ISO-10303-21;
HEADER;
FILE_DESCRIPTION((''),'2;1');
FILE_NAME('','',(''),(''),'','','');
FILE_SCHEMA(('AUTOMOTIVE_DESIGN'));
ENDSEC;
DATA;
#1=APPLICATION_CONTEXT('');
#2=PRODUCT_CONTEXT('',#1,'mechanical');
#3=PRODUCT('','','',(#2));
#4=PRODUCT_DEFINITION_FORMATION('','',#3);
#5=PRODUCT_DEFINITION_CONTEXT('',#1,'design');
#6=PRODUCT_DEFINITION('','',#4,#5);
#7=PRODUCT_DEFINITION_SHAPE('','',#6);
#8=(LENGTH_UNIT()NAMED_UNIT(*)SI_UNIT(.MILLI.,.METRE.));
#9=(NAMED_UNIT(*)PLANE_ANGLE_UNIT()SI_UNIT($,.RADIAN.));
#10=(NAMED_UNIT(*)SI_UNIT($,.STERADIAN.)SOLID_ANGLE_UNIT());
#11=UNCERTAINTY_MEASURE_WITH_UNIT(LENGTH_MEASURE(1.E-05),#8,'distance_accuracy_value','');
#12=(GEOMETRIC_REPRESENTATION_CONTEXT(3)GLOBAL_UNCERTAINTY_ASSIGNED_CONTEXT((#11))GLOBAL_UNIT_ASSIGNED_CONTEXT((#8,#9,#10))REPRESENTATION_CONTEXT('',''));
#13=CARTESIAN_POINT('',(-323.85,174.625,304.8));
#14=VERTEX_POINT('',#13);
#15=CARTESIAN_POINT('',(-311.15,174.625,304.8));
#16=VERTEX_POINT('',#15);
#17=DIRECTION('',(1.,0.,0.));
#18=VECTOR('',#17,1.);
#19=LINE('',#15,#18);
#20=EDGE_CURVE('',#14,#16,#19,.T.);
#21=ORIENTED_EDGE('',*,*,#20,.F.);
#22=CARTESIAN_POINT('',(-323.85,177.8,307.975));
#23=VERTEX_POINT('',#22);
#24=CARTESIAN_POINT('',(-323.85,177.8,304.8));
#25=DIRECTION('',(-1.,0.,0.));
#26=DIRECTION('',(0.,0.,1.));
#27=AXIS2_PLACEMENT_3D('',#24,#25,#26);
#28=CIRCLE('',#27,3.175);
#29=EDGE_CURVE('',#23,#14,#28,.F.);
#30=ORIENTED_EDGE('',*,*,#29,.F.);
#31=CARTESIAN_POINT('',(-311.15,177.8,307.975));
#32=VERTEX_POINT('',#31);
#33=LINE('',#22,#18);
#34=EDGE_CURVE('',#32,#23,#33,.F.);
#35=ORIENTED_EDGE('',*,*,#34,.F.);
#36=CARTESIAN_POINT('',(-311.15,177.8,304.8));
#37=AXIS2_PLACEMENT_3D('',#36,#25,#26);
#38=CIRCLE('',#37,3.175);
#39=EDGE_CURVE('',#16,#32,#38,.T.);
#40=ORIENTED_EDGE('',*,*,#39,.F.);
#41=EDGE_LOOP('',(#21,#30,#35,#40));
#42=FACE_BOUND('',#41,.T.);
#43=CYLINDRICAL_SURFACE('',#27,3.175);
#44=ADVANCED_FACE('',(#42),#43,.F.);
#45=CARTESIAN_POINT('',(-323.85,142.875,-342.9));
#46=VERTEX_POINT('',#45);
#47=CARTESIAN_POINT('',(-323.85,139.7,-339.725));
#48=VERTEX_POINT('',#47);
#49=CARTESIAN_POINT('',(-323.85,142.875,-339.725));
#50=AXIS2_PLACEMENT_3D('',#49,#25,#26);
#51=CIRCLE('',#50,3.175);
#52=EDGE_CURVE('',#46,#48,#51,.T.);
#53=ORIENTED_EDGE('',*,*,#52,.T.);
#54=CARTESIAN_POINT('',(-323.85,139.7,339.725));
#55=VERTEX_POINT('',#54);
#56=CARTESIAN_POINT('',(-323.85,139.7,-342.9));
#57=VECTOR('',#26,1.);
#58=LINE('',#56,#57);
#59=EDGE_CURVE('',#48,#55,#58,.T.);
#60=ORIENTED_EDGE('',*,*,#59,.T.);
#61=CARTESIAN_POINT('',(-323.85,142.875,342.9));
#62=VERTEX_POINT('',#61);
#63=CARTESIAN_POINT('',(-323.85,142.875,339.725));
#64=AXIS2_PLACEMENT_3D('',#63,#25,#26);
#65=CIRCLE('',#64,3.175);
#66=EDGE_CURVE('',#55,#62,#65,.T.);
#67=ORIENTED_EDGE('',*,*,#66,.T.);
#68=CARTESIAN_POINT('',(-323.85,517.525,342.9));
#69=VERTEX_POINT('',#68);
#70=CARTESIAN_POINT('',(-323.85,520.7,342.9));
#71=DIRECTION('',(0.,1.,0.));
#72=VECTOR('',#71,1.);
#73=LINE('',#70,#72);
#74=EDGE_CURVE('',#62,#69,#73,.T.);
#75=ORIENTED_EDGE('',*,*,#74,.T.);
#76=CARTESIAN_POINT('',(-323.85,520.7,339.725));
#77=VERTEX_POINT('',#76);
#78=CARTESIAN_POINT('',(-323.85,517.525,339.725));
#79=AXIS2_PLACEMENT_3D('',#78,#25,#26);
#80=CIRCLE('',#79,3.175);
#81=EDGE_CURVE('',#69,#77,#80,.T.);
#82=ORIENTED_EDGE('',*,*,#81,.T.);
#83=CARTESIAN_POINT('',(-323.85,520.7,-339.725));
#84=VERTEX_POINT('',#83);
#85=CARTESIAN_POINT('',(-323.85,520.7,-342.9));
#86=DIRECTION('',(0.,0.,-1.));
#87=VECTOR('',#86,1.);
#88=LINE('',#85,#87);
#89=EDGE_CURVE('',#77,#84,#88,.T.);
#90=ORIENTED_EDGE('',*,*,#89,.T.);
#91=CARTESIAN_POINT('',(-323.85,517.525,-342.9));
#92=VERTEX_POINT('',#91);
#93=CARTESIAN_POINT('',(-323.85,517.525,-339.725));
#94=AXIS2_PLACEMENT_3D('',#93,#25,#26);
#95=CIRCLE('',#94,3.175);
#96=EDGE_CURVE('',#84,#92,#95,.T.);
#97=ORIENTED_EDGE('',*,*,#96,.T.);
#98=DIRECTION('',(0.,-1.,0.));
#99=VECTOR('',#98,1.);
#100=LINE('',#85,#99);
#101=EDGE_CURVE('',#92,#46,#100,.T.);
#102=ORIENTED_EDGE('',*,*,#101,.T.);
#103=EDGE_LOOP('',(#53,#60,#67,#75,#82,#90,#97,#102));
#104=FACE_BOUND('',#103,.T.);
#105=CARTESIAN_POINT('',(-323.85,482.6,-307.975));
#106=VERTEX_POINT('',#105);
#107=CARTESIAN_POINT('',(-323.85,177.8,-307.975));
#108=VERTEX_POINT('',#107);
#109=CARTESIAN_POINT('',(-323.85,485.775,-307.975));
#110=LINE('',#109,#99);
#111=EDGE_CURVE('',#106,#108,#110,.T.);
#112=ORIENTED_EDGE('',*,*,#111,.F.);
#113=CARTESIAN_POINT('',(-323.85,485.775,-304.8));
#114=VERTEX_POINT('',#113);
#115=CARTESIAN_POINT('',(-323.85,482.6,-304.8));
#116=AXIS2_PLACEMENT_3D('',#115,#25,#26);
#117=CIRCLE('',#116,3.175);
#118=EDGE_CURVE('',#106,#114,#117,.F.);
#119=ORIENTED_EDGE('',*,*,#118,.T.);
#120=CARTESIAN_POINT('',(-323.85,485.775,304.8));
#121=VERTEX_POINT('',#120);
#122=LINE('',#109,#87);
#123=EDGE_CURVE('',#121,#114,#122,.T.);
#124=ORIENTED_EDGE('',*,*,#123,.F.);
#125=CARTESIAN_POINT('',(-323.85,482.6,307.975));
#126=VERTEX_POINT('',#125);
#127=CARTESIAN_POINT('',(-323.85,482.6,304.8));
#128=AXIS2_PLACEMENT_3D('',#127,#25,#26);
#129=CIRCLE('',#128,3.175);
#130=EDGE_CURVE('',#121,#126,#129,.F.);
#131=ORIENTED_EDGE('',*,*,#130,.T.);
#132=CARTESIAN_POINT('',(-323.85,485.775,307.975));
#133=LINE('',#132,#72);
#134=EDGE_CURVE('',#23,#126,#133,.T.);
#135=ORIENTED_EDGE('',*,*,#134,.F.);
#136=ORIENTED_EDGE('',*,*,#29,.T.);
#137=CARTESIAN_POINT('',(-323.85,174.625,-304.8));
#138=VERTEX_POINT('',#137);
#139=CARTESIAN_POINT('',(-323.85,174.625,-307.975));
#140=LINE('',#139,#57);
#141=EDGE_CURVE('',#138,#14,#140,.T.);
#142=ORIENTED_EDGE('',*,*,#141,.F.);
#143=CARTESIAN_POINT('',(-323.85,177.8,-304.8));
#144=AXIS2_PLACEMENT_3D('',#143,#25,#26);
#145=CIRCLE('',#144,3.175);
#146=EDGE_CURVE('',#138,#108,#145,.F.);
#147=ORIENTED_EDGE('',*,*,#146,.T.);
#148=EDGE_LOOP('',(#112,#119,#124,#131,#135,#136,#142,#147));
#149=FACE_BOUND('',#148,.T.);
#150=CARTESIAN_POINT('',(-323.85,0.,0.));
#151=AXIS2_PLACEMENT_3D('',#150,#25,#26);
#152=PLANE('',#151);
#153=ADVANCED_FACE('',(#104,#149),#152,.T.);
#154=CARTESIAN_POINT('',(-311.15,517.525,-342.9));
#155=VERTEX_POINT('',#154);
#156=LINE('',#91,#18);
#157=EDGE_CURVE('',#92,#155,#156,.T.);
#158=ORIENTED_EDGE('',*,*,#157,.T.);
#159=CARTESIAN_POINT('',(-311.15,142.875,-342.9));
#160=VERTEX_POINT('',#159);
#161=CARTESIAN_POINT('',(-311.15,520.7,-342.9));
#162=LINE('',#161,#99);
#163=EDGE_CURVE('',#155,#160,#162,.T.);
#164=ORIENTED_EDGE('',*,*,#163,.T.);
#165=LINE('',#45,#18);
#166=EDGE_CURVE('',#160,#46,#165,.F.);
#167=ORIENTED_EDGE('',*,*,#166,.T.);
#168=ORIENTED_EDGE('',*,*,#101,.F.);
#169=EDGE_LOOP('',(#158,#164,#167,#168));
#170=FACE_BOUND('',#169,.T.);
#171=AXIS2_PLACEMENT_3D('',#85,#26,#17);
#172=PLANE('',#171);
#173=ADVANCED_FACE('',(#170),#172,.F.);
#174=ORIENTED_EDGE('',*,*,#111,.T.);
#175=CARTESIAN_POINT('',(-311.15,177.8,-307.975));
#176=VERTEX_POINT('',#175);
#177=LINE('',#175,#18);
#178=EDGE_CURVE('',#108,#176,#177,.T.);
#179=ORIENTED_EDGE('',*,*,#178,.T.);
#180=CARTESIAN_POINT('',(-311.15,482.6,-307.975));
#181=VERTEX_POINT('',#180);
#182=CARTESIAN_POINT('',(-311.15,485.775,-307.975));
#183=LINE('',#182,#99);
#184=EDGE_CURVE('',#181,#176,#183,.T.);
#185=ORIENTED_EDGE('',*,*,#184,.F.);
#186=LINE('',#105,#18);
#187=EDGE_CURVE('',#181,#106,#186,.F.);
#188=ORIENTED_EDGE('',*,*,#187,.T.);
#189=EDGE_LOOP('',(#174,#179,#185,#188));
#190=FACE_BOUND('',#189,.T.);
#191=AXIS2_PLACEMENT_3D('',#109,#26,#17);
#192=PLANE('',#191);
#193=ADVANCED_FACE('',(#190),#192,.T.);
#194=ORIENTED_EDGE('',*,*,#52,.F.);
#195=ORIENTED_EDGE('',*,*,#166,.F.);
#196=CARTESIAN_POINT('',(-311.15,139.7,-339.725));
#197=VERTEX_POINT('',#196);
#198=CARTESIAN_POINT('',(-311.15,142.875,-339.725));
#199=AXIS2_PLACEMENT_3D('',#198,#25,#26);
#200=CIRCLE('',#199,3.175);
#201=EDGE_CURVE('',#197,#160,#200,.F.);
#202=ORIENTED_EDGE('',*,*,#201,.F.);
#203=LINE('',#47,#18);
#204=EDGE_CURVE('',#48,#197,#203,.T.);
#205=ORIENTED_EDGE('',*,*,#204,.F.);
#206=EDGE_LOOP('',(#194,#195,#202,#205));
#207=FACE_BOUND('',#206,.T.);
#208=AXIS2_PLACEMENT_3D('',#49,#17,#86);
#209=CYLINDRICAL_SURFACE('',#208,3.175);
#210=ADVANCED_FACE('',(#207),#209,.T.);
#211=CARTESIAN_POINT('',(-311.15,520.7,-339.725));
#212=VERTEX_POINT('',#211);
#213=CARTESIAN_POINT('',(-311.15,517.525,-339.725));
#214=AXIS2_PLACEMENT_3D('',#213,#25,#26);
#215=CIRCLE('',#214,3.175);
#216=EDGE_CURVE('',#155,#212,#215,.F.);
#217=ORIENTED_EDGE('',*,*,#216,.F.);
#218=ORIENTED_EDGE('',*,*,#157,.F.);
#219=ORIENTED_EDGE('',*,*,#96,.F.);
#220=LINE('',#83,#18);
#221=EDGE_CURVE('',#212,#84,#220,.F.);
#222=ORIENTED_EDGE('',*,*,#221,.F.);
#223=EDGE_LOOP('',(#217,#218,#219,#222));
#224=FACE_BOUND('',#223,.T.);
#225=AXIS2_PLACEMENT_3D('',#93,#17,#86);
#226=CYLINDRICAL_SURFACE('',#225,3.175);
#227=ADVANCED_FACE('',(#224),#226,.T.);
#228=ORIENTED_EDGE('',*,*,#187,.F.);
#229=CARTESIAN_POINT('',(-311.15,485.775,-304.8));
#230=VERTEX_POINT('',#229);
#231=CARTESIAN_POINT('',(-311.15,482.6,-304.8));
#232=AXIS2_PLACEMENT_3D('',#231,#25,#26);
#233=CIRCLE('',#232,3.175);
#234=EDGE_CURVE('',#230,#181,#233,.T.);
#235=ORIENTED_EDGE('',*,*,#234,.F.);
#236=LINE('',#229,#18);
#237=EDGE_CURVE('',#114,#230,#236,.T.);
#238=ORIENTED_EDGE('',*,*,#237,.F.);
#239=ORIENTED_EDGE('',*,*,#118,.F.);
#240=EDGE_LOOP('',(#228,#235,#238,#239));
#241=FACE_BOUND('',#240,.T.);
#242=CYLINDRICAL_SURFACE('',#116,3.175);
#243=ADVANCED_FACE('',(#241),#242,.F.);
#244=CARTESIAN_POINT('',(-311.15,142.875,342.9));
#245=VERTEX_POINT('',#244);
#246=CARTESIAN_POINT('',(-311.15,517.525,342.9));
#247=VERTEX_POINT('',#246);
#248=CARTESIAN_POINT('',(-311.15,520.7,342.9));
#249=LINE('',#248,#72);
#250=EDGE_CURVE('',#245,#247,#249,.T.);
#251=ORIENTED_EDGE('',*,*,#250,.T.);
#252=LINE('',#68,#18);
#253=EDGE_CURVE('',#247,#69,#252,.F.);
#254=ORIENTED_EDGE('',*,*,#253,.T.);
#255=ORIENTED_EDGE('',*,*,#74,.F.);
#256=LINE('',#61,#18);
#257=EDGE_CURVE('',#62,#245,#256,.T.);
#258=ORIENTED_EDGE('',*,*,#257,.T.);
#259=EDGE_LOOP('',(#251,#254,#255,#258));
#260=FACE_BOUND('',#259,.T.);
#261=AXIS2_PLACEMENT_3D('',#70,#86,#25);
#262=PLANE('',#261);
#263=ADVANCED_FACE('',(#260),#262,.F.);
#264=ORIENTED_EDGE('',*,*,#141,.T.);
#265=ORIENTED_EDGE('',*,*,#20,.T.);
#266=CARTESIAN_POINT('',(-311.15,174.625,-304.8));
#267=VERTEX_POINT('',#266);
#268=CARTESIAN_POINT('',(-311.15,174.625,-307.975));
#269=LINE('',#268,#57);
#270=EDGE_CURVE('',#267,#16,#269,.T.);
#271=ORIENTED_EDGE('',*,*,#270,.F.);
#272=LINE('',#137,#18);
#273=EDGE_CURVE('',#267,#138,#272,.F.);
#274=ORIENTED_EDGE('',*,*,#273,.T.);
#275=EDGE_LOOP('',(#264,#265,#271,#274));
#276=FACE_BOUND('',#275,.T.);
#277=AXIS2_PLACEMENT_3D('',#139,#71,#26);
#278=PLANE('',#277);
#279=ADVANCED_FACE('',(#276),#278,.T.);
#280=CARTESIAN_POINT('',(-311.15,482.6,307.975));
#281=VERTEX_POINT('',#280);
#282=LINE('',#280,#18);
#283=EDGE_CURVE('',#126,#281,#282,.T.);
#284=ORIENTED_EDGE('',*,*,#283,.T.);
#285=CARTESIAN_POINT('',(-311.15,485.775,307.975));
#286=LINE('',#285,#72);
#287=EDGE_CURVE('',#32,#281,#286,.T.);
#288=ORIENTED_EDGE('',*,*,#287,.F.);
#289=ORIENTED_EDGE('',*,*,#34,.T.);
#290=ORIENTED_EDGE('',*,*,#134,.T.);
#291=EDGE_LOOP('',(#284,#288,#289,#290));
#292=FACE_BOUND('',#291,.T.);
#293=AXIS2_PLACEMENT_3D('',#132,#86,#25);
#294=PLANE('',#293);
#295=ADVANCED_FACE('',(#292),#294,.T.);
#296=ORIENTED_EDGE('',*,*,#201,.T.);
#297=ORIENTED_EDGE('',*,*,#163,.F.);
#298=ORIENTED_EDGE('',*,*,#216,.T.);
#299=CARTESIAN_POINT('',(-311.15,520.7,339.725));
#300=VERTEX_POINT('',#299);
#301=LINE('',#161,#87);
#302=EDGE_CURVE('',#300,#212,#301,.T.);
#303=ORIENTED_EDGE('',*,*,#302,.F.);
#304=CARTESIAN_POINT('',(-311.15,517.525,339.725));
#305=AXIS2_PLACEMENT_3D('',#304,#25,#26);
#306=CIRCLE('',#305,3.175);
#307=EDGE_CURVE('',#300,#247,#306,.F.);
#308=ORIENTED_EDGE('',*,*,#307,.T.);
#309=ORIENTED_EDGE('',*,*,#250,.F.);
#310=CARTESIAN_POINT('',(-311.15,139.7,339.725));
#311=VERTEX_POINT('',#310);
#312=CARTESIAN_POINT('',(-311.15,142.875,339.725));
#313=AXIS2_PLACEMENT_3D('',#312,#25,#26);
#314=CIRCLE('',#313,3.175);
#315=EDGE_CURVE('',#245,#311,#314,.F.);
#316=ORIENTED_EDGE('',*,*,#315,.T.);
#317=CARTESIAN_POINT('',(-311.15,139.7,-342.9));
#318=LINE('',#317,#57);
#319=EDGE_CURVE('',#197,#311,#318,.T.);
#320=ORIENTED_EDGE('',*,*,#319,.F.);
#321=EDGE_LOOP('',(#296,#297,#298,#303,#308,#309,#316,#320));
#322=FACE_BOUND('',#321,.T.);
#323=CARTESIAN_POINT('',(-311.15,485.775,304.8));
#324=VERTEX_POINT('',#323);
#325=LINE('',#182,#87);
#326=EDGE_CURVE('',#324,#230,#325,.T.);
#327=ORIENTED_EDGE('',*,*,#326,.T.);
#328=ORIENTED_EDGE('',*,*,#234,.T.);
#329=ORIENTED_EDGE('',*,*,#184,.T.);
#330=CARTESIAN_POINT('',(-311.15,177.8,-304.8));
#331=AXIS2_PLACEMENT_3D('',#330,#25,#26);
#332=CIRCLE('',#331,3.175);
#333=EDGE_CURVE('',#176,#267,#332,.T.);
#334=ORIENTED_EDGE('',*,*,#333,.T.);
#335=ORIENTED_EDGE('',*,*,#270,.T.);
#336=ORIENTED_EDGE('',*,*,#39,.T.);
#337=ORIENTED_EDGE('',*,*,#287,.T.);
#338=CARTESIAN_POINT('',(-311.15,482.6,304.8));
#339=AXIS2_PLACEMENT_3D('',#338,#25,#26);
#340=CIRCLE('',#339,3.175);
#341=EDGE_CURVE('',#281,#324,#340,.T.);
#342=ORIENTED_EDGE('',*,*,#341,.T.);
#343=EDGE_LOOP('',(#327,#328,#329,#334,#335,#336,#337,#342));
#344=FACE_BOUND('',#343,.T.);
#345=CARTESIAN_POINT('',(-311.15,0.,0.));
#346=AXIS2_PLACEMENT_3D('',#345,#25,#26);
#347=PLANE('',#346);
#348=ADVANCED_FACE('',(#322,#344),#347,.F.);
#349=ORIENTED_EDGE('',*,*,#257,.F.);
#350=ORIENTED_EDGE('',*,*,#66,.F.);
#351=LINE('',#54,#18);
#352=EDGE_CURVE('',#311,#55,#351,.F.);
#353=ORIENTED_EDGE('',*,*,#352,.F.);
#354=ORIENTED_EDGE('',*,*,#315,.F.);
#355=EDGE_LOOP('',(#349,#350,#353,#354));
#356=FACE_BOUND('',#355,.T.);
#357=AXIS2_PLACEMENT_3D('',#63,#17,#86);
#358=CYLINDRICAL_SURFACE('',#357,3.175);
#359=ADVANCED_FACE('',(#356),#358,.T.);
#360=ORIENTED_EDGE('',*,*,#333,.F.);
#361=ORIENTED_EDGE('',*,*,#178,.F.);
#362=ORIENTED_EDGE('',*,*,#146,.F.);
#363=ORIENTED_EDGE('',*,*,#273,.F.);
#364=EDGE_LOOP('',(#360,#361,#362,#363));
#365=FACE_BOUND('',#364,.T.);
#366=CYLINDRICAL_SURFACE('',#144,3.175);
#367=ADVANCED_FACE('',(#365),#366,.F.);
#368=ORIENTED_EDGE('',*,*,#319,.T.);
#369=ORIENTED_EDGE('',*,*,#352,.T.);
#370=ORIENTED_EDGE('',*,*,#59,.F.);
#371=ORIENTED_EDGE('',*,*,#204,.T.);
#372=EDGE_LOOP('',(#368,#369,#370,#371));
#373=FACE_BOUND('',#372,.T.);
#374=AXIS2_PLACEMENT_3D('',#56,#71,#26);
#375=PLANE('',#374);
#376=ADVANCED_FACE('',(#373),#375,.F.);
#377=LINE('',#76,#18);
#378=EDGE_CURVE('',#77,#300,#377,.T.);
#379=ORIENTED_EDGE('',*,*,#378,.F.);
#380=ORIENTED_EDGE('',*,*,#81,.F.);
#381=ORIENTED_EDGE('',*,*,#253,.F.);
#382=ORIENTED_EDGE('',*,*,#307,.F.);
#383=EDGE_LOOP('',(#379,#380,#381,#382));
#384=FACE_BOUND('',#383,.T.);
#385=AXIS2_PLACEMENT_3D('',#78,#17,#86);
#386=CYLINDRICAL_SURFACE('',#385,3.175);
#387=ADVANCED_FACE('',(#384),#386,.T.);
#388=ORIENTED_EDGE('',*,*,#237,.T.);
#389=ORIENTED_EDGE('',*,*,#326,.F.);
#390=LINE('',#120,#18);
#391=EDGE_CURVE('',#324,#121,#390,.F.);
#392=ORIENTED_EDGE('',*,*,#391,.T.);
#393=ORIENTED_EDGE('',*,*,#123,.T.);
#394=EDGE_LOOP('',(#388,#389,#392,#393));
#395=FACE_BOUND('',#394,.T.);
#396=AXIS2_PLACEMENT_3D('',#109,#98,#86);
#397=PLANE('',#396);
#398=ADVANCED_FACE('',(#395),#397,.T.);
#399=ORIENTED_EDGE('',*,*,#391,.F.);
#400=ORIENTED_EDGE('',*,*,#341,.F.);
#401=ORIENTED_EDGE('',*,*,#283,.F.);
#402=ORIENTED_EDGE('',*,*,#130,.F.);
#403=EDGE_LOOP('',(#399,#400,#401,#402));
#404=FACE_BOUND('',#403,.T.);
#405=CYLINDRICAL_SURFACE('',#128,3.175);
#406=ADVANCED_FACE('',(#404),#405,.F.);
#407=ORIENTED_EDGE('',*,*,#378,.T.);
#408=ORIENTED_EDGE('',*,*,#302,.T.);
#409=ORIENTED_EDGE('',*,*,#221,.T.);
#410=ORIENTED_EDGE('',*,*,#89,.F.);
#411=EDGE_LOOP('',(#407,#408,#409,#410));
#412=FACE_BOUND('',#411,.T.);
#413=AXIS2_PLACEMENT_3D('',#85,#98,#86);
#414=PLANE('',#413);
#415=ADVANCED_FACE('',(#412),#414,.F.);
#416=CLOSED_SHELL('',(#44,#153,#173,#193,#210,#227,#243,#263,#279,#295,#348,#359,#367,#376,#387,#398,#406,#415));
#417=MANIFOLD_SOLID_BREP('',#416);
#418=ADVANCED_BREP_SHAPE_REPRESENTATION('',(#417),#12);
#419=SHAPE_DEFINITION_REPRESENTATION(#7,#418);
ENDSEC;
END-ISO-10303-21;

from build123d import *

# Parameters (mm, degrees)
SKETCH1_W           = 685.8
SKETCH1_H           = 381
SKETCH1_W_2         = 615.95
SKETCH1_H_2         = 311.15
BOSS_EXTRUDE1_DEPTH = 12.7
FILLET1_R           = 3.175


with BuildPart() as part:
    # Sketch1 → Boss-Extrude1 (new body)
    with BuildSketch(Plane.ZY.offset(311.15)):
        with Locations((0, 330.2)):
            Rectangle(SKETCH1_W, SKETCH1_H)
        with Locations((0, 330.2)):
            Rectangle(SKETCH1_W_2, SKETCH1_H_2, mode=Mode.SUBTRACT)
    extrude(amount=BOSS_EXTRUDE1_DEPTH)

    # Fillet1
    fillet1_edges = [part.edges().sort_by_distance(p)[0] for p in [
        (-317.5, 485.775, -307.975),
        (-317.5, 174.625, -307.975),
        (-317.5, 174.625, 307.975),
        (-317.5, 485.775, 307.975),
        (-317.5, 520.7, -342.9),
        (-317.5, 520.7, 342.9),
        (-317.5, 139.7, 342.9),
        (-317.5, 139.7, -342.9),
    ]]
    fillet(fillet1_edges, radius=FILLET1_R)


solid = part.part
